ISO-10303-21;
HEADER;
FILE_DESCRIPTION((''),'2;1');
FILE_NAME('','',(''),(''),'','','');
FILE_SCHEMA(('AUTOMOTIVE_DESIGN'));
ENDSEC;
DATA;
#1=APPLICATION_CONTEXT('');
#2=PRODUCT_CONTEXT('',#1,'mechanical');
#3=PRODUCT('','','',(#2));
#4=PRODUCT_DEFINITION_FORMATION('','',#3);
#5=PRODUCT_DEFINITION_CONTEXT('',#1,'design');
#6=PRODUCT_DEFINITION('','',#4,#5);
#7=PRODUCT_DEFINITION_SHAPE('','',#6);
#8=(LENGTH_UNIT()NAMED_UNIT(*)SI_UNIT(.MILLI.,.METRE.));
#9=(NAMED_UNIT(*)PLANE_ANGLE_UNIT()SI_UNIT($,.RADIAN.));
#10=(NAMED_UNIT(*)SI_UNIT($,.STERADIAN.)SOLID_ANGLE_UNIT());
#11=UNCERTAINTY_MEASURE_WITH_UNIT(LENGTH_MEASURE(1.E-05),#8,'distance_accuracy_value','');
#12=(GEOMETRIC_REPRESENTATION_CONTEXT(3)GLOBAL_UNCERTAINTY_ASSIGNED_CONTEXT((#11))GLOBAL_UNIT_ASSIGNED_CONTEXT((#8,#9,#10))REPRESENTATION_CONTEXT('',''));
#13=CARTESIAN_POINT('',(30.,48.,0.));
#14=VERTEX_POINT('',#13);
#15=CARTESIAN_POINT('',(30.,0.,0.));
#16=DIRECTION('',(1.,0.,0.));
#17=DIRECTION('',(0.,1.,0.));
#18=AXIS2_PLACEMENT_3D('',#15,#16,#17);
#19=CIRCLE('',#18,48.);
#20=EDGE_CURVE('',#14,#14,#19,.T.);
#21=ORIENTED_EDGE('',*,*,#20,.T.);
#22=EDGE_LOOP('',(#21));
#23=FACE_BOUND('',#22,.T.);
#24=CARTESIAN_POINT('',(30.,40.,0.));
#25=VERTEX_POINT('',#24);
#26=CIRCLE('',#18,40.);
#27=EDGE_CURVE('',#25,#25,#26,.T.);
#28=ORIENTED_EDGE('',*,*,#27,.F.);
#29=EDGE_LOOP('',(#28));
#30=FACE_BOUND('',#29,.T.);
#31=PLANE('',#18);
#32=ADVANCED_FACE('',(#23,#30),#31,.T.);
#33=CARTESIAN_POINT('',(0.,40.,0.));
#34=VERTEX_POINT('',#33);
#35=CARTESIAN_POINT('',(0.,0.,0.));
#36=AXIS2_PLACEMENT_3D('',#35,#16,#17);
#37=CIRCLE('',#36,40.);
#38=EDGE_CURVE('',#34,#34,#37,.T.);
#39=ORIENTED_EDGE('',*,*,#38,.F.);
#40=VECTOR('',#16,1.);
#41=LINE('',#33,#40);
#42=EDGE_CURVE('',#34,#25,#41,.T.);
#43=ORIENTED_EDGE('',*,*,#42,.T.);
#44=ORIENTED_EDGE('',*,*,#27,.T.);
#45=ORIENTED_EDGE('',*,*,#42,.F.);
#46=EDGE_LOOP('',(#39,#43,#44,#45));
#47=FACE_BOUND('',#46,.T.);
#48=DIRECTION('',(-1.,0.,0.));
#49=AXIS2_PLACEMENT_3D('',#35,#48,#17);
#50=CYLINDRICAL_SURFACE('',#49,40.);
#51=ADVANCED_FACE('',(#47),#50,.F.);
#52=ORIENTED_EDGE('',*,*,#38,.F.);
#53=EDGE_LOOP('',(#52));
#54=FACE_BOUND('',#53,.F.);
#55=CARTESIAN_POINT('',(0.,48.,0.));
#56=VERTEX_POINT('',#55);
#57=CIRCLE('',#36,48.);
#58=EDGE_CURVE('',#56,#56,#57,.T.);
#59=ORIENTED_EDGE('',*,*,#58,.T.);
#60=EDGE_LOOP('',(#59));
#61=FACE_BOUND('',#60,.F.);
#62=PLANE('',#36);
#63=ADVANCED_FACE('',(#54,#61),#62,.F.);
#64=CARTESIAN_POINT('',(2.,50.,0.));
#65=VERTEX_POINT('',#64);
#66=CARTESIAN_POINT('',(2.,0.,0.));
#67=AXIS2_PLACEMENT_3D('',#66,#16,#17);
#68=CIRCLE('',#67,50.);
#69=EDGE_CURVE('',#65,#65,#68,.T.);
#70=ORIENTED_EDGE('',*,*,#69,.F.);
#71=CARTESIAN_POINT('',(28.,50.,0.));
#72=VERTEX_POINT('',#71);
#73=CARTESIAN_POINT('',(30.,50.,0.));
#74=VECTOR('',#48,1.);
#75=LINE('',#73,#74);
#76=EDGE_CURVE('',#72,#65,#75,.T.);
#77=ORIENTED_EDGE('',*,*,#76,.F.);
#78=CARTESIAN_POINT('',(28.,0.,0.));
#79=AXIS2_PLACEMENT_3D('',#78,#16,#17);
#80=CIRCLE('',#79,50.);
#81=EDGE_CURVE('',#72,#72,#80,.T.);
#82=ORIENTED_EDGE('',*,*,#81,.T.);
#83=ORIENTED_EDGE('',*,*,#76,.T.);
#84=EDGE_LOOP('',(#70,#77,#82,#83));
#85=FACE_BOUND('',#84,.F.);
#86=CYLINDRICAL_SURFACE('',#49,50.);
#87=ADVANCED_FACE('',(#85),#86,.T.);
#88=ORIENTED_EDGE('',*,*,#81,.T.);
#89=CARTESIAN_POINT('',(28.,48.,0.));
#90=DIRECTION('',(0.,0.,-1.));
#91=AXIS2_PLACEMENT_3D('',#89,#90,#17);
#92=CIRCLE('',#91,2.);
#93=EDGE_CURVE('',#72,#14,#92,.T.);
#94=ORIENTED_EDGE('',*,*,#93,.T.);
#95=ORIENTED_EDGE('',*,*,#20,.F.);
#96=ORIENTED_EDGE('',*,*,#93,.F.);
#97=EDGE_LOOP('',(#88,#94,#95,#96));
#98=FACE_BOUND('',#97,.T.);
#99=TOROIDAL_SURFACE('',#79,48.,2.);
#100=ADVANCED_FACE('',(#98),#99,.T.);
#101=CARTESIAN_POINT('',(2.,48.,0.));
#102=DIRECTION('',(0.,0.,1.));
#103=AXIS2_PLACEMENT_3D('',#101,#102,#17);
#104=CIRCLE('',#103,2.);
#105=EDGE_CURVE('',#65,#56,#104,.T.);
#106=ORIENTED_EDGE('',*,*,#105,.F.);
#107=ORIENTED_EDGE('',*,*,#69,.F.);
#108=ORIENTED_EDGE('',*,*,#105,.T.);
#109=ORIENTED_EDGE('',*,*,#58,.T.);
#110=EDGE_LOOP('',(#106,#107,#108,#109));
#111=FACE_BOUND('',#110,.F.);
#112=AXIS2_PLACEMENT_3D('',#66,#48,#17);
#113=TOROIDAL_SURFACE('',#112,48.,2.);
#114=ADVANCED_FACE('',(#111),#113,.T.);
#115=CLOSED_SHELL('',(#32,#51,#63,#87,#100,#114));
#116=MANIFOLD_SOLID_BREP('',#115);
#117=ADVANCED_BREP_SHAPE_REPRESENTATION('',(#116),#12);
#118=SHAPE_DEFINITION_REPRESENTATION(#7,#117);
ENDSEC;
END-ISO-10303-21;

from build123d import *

# Parameters (mm, degrees)
F0_R     = 50
F0_R_2   = 40
F1_DEPTH = 28
F2_DEPTH = 30
F3_R     = 2
F4_R     = 2


with BuildPart() as f1:
    # F0 (on Right) → F1 (new body)
    with BuildSketch(Plane.YZ):
        Circle(F0_R)
        Circle(F0_R_2, mode=Mode.SUBTRACT)
    extrude(amount=F1_DEPTH)

    # F0 (on Right) → F2 (join)
    with BuildSketch(Plane.YZ):
        Circle(F0_R)
        Circle(F0_R_2, mode=Mode.SUBTRACT)
    extrude(amount=F2_DEPTH)

    # F3
    f3_edges = [f1.edges().sort_by_distance(p)[0] for p in [
        (30, -50, 0),
    ]]
    fillet(f3_edges, radius=F3_R)

    # F4
    f4_edges = [f1.edges().sort_by_distance(p)[0] for p in [
        (0, -50, 0),
    ]]
    fillet(f4_edges, radius=F4_R)


solid = f1.part
